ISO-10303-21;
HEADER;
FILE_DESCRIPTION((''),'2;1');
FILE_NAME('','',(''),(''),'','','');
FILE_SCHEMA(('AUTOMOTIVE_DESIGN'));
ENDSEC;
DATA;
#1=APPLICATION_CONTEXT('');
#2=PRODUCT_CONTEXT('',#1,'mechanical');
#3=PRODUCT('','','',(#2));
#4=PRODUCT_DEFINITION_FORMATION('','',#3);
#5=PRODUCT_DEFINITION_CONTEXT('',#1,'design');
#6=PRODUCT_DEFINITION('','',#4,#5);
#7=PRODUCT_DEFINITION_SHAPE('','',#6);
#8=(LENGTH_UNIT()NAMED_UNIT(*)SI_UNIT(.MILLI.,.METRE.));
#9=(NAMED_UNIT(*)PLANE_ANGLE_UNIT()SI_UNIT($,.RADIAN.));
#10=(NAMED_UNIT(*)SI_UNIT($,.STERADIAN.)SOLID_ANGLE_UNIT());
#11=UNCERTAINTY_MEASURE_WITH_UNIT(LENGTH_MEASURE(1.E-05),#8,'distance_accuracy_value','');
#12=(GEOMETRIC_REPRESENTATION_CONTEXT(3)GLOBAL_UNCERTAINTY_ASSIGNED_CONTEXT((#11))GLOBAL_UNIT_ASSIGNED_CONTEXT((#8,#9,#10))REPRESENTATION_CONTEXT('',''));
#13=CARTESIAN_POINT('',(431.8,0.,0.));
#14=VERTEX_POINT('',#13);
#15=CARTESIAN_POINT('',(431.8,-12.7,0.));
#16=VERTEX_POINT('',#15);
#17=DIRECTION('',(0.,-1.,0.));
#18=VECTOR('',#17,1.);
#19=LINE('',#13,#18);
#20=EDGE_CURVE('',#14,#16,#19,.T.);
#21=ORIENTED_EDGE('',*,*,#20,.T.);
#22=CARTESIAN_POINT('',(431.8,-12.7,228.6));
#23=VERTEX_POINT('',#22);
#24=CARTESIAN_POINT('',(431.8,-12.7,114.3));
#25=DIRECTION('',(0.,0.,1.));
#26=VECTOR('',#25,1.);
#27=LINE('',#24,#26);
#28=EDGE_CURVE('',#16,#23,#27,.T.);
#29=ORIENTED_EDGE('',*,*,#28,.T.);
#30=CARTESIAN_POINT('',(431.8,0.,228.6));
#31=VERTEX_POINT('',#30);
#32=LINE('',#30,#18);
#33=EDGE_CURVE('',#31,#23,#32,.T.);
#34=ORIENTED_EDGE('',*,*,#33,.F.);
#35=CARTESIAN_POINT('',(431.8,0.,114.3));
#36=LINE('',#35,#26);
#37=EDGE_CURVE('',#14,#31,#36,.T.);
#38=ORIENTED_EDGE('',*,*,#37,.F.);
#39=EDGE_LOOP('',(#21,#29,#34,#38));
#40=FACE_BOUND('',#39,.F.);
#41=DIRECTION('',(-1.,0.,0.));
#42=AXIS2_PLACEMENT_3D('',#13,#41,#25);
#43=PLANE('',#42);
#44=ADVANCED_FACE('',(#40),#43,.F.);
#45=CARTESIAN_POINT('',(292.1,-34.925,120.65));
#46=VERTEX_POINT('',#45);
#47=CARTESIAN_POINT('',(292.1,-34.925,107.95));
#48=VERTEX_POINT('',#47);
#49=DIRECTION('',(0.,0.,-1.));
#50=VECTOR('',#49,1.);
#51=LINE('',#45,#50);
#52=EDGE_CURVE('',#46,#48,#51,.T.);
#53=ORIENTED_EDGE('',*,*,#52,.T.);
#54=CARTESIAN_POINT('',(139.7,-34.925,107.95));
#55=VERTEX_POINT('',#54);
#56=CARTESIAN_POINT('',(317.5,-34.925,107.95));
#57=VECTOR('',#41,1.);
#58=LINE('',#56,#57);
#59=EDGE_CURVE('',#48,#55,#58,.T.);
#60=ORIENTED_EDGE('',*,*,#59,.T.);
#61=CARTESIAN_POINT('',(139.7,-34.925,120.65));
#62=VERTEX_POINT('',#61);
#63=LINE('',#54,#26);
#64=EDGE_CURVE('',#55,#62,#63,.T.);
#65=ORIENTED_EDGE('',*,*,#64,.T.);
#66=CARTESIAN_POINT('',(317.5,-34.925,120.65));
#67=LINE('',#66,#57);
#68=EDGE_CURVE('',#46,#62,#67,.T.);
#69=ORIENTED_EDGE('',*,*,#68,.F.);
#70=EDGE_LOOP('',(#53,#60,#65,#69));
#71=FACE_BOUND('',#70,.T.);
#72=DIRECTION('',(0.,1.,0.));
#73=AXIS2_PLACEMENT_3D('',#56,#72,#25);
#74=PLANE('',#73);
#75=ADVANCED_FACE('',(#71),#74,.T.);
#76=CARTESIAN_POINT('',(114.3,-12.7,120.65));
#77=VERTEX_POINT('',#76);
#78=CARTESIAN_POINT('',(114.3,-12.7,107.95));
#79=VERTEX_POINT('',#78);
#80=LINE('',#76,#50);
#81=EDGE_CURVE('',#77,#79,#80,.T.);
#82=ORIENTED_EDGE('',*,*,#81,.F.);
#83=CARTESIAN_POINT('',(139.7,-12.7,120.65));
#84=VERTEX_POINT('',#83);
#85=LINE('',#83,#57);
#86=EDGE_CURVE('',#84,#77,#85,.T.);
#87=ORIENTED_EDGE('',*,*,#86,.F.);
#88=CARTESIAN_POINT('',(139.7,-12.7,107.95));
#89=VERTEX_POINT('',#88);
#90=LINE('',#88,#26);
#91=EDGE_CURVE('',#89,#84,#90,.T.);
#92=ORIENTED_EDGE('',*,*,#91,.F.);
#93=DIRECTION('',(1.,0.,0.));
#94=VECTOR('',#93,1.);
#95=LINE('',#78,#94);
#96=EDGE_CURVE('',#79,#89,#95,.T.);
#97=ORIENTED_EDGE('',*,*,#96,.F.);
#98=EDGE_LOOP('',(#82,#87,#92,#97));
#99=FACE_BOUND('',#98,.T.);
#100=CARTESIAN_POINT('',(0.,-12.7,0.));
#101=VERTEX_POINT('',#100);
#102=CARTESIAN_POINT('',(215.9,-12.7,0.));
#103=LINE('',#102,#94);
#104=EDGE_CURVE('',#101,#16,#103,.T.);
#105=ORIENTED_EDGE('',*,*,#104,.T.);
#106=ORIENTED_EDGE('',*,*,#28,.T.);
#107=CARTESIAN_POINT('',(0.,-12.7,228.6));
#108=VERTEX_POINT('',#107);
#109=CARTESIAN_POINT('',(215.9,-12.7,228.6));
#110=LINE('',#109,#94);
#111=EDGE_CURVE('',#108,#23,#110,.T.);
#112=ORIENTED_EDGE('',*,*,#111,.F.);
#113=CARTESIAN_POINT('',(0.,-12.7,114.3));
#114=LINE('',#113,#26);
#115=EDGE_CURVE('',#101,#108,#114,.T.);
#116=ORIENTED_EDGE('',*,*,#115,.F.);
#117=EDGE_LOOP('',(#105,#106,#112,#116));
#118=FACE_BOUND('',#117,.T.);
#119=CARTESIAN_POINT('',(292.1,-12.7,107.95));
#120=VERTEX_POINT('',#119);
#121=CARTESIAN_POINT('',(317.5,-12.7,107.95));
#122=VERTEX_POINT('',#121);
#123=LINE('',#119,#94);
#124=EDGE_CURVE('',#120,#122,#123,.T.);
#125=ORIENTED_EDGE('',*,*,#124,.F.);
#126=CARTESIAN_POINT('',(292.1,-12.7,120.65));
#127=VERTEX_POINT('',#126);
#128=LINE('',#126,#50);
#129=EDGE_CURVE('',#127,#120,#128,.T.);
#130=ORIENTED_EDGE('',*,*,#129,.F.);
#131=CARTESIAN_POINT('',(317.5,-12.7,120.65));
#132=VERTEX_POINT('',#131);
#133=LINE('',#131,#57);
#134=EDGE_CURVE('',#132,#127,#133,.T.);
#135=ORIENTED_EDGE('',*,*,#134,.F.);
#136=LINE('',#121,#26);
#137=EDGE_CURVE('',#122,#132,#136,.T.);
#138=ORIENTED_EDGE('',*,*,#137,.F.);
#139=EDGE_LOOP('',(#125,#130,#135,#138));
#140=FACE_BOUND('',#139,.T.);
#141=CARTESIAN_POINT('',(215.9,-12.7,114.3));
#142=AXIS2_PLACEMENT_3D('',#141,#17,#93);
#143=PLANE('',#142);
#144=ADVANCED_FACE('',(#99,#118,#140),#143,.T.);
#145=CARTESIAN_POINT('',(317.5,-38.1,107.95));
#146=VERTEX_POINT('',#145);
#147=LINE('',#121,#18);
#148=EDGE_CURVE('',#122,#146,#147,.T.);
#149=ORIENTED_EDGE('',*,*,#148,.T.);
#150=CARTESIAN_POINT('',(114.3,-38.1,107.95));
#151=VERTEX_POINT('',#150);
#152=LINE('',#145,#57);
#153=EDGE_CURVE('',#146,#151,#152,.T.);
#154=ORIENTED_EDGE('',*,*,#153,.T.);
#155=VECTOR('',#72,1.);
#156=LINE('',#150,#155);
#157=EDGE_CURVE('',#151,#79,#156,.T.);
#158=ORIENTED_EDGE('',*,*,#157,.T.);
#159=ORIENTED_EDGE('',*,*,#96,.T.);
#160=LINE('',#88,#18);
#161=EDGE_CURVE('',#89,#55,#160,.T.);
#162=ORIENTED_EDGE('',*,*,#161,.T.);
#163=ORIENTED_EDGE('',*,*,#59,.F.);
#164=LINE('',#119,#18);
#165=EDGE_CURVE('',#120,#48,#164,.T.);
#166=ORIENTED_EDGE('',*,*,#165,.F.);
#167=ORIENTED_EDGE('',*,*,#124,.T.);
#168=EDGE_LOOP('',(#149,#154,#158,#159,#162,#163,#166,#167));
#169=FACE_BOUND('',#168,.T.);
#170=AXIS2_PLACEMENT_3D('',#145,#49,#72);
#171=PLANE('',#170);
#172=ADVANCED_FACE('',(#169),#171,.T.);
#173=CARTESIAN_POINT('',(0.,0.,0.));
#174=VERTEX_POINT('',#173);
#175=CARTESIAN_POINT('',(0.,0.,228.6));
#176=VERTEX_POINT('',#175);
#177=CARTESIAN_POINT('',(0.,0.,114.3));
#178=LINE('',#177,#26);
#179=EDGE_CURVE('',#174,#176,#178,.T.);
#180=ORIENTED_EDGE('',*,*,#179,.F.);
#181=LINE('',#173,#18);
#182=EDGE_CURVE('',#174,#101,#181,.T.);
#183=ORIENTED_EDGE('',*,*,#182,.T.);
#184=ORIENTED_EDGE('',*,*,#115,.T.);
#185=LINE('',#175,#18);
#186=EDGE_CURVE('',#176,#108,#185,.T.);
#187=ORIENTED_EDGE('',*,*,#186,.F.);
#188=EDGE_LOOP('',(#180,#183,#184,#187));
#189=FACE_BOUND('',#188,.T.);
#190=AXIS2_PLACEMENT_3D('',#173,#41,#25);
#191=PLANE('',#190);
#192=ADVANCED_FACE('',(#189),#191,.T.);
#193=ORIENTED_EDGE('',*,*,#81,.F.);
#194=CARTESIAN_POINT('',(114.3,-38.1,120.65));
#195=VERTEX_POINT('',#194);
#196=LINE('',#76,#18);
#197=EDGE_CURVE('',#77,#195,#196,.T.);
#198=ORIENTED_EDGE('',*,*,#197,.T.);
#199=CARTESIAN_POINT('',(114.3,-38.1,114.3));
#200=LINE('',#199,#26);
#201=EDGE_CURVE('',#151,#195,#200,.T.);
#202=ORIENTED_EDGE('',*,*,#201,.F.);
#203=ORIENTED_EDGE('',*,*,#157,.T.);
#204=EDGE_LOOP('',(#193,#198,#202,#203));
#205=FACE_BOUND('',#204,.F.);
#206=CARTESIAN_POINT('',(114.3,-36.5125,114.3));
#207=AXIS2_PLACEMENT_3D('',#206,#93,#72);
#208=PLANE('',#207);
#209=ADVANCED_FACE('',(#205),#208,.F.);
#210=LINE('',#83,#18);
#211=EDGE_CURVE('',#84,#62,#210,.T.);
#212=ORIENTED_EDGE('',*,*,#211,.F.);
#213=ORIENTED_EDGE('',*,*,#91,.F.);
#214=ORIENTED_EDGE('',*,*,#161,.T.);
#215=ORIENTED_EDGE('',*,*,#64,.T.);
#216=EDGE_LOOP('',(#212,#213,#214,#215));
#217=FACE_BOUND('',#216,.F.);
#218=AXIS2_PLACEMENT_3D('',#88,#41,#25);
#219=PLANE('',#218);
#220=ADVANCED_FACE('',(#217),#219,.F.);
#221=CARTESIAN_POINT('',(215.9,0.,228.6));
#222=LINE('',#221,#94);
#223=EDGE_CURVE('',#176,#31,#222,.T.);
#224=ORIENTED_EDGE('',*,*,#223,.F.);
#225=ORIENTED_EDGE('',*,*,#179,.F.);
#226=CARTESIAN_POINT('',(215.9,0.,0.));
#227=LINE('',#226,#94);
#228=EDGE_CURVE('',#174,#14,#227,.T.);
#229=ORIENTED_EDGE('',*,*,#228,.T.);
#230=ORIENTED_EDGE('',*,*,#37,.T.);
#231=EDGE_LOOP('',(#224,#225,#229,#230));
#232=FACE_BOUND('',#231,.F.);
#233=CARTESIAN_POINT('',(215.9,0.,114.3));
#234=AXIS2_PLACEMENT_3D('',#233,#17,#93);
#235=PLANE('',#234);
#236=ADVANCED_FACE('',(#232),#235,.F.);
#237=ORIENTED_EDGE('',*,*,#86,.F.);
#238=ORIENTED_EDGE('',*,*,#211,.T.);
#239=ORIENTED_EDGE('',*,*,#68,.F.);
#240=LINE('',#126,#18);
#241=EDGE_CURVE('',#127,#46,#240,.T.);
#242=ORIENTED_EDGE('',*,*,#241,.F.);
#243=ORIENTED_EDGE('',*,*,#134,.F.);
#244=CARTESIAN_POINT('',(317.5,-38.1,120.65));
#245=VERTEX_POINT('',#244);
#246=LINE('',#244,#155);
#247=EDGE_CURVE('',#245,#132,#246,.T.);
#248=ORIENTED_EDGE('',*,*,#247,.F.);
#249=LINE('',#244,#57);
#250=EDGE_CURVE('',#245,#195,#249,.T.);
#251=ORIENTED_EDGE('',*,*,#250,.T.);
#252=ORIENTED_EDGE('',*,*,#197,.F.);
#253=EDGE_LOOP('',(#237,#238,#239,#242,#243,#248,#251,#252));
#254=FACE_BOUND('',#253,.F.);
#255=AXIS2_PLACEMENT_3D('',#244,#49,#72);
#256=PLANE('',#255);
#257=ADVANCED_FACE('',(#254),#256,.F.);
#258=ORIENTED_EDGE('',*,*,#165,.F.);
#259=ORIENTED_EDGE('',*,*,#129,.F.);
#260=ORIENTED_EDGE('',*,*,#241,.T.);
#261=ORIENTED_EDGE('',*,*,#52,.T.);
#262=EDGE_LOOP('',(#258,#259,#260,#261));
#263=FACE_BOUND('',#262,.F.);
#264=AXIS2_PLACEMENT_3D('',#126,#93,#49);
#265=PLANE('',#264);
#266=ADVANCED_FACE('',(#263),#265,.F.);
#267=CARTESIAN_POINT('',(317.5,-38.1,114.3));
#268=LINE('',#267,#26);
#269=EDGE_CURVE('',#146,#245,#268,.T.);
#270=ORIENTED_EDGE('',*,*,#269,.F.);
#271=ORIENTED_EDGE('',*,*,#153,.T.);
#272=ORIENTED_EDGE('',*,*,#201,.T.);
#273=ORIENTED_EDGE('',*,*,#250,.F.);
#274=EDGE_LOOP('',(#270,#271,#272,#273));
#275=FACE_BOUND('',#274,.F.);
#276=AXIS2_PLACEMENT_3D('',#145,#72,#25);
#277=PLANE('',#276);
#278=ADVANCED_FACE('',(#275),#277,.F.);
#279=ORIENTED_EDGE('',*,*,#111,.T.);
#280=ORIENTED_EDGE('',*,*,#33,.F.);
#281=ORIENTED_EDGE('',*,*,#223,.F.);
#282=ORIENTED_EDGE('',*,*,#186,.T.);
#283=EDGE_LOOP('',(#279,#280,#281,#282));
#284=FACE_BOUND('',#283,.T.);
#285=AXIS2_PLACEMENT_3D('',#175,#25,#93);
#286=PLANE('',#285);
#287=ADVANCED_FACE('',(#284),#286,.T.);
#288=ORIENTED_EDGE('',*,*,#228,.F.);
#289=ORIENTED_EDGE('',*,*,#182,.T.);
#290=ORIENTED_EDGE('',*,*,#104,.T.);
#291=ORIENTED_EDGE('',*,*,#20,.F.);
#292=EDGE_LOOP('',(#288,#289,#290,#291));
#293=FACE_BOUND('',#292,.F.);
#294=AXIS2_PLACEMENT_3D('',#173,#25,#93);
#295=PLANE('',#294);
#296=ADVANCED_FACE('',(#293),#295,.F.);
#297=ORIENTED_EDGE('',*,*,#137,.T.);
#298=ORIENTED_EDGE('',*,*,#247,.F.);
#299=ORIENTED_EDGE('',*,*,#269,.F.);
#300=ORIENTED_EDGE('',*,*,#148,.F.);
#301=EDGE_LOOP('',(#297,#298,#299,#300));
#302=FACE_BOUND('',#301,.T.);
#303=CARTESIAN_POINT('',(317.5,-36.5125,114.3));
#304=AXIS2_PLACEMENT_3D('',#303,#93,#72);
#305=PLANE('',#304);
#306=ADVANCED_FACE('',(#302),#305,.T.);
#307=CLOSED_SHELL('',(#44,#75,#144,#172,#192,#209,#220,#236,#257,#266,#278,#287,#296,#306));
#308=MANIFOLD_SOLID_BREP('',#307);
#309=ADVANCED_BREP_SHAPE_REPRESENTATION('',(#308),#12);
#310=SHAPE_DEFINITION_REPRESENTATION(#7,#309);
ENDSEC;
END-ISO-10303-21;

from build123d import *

# Parameters (mm, degrees)
F0_W     = 431.8
F0_H     = 228.6
F1_DEPTH = 12.7
F3_DEPTH = 22.225
F4_W     = 3.175
F4_H     = 12.7
F5_DEPTH = 203.2


with BuildPart() as f1:
    # F0 (on Front) → F1 (new body)
    with BuildSketch(Plane.XZ):
        with Locations((215.9, 114.3)):
            Rectangle(F0_W, F0_H)
    extrude(amount=F1_DEPTH)

    # F2 (on face) → F3 (join)
    with BuildSketch(Plane.XZ.offset(12.7)):
        Polygon((139.7, 107.95), (139.7, 114.3), (139.7, 120.65), (114.3, 120.65), (114.3, 114.3), (114.3, 107.95), align=None)
        Polygon((317.5, 120.65), (292.1, 120.65), (292.1, 114.3), (292.1, 107.95), (317.5, 107.95), (317.5, 114.3), align=None)
    extrude(amount=F3_DEPTH)

    # F4 (on face) → F5 (join, through all)
    with BuildSketch(Plane.YZ.offset(317.5)):
        with Locations((-36.5125, 114.3)):
            Rectangle(F4_W, F4_H)
    extrude(amount=-F5_DEPTH)


solid = f1.part
